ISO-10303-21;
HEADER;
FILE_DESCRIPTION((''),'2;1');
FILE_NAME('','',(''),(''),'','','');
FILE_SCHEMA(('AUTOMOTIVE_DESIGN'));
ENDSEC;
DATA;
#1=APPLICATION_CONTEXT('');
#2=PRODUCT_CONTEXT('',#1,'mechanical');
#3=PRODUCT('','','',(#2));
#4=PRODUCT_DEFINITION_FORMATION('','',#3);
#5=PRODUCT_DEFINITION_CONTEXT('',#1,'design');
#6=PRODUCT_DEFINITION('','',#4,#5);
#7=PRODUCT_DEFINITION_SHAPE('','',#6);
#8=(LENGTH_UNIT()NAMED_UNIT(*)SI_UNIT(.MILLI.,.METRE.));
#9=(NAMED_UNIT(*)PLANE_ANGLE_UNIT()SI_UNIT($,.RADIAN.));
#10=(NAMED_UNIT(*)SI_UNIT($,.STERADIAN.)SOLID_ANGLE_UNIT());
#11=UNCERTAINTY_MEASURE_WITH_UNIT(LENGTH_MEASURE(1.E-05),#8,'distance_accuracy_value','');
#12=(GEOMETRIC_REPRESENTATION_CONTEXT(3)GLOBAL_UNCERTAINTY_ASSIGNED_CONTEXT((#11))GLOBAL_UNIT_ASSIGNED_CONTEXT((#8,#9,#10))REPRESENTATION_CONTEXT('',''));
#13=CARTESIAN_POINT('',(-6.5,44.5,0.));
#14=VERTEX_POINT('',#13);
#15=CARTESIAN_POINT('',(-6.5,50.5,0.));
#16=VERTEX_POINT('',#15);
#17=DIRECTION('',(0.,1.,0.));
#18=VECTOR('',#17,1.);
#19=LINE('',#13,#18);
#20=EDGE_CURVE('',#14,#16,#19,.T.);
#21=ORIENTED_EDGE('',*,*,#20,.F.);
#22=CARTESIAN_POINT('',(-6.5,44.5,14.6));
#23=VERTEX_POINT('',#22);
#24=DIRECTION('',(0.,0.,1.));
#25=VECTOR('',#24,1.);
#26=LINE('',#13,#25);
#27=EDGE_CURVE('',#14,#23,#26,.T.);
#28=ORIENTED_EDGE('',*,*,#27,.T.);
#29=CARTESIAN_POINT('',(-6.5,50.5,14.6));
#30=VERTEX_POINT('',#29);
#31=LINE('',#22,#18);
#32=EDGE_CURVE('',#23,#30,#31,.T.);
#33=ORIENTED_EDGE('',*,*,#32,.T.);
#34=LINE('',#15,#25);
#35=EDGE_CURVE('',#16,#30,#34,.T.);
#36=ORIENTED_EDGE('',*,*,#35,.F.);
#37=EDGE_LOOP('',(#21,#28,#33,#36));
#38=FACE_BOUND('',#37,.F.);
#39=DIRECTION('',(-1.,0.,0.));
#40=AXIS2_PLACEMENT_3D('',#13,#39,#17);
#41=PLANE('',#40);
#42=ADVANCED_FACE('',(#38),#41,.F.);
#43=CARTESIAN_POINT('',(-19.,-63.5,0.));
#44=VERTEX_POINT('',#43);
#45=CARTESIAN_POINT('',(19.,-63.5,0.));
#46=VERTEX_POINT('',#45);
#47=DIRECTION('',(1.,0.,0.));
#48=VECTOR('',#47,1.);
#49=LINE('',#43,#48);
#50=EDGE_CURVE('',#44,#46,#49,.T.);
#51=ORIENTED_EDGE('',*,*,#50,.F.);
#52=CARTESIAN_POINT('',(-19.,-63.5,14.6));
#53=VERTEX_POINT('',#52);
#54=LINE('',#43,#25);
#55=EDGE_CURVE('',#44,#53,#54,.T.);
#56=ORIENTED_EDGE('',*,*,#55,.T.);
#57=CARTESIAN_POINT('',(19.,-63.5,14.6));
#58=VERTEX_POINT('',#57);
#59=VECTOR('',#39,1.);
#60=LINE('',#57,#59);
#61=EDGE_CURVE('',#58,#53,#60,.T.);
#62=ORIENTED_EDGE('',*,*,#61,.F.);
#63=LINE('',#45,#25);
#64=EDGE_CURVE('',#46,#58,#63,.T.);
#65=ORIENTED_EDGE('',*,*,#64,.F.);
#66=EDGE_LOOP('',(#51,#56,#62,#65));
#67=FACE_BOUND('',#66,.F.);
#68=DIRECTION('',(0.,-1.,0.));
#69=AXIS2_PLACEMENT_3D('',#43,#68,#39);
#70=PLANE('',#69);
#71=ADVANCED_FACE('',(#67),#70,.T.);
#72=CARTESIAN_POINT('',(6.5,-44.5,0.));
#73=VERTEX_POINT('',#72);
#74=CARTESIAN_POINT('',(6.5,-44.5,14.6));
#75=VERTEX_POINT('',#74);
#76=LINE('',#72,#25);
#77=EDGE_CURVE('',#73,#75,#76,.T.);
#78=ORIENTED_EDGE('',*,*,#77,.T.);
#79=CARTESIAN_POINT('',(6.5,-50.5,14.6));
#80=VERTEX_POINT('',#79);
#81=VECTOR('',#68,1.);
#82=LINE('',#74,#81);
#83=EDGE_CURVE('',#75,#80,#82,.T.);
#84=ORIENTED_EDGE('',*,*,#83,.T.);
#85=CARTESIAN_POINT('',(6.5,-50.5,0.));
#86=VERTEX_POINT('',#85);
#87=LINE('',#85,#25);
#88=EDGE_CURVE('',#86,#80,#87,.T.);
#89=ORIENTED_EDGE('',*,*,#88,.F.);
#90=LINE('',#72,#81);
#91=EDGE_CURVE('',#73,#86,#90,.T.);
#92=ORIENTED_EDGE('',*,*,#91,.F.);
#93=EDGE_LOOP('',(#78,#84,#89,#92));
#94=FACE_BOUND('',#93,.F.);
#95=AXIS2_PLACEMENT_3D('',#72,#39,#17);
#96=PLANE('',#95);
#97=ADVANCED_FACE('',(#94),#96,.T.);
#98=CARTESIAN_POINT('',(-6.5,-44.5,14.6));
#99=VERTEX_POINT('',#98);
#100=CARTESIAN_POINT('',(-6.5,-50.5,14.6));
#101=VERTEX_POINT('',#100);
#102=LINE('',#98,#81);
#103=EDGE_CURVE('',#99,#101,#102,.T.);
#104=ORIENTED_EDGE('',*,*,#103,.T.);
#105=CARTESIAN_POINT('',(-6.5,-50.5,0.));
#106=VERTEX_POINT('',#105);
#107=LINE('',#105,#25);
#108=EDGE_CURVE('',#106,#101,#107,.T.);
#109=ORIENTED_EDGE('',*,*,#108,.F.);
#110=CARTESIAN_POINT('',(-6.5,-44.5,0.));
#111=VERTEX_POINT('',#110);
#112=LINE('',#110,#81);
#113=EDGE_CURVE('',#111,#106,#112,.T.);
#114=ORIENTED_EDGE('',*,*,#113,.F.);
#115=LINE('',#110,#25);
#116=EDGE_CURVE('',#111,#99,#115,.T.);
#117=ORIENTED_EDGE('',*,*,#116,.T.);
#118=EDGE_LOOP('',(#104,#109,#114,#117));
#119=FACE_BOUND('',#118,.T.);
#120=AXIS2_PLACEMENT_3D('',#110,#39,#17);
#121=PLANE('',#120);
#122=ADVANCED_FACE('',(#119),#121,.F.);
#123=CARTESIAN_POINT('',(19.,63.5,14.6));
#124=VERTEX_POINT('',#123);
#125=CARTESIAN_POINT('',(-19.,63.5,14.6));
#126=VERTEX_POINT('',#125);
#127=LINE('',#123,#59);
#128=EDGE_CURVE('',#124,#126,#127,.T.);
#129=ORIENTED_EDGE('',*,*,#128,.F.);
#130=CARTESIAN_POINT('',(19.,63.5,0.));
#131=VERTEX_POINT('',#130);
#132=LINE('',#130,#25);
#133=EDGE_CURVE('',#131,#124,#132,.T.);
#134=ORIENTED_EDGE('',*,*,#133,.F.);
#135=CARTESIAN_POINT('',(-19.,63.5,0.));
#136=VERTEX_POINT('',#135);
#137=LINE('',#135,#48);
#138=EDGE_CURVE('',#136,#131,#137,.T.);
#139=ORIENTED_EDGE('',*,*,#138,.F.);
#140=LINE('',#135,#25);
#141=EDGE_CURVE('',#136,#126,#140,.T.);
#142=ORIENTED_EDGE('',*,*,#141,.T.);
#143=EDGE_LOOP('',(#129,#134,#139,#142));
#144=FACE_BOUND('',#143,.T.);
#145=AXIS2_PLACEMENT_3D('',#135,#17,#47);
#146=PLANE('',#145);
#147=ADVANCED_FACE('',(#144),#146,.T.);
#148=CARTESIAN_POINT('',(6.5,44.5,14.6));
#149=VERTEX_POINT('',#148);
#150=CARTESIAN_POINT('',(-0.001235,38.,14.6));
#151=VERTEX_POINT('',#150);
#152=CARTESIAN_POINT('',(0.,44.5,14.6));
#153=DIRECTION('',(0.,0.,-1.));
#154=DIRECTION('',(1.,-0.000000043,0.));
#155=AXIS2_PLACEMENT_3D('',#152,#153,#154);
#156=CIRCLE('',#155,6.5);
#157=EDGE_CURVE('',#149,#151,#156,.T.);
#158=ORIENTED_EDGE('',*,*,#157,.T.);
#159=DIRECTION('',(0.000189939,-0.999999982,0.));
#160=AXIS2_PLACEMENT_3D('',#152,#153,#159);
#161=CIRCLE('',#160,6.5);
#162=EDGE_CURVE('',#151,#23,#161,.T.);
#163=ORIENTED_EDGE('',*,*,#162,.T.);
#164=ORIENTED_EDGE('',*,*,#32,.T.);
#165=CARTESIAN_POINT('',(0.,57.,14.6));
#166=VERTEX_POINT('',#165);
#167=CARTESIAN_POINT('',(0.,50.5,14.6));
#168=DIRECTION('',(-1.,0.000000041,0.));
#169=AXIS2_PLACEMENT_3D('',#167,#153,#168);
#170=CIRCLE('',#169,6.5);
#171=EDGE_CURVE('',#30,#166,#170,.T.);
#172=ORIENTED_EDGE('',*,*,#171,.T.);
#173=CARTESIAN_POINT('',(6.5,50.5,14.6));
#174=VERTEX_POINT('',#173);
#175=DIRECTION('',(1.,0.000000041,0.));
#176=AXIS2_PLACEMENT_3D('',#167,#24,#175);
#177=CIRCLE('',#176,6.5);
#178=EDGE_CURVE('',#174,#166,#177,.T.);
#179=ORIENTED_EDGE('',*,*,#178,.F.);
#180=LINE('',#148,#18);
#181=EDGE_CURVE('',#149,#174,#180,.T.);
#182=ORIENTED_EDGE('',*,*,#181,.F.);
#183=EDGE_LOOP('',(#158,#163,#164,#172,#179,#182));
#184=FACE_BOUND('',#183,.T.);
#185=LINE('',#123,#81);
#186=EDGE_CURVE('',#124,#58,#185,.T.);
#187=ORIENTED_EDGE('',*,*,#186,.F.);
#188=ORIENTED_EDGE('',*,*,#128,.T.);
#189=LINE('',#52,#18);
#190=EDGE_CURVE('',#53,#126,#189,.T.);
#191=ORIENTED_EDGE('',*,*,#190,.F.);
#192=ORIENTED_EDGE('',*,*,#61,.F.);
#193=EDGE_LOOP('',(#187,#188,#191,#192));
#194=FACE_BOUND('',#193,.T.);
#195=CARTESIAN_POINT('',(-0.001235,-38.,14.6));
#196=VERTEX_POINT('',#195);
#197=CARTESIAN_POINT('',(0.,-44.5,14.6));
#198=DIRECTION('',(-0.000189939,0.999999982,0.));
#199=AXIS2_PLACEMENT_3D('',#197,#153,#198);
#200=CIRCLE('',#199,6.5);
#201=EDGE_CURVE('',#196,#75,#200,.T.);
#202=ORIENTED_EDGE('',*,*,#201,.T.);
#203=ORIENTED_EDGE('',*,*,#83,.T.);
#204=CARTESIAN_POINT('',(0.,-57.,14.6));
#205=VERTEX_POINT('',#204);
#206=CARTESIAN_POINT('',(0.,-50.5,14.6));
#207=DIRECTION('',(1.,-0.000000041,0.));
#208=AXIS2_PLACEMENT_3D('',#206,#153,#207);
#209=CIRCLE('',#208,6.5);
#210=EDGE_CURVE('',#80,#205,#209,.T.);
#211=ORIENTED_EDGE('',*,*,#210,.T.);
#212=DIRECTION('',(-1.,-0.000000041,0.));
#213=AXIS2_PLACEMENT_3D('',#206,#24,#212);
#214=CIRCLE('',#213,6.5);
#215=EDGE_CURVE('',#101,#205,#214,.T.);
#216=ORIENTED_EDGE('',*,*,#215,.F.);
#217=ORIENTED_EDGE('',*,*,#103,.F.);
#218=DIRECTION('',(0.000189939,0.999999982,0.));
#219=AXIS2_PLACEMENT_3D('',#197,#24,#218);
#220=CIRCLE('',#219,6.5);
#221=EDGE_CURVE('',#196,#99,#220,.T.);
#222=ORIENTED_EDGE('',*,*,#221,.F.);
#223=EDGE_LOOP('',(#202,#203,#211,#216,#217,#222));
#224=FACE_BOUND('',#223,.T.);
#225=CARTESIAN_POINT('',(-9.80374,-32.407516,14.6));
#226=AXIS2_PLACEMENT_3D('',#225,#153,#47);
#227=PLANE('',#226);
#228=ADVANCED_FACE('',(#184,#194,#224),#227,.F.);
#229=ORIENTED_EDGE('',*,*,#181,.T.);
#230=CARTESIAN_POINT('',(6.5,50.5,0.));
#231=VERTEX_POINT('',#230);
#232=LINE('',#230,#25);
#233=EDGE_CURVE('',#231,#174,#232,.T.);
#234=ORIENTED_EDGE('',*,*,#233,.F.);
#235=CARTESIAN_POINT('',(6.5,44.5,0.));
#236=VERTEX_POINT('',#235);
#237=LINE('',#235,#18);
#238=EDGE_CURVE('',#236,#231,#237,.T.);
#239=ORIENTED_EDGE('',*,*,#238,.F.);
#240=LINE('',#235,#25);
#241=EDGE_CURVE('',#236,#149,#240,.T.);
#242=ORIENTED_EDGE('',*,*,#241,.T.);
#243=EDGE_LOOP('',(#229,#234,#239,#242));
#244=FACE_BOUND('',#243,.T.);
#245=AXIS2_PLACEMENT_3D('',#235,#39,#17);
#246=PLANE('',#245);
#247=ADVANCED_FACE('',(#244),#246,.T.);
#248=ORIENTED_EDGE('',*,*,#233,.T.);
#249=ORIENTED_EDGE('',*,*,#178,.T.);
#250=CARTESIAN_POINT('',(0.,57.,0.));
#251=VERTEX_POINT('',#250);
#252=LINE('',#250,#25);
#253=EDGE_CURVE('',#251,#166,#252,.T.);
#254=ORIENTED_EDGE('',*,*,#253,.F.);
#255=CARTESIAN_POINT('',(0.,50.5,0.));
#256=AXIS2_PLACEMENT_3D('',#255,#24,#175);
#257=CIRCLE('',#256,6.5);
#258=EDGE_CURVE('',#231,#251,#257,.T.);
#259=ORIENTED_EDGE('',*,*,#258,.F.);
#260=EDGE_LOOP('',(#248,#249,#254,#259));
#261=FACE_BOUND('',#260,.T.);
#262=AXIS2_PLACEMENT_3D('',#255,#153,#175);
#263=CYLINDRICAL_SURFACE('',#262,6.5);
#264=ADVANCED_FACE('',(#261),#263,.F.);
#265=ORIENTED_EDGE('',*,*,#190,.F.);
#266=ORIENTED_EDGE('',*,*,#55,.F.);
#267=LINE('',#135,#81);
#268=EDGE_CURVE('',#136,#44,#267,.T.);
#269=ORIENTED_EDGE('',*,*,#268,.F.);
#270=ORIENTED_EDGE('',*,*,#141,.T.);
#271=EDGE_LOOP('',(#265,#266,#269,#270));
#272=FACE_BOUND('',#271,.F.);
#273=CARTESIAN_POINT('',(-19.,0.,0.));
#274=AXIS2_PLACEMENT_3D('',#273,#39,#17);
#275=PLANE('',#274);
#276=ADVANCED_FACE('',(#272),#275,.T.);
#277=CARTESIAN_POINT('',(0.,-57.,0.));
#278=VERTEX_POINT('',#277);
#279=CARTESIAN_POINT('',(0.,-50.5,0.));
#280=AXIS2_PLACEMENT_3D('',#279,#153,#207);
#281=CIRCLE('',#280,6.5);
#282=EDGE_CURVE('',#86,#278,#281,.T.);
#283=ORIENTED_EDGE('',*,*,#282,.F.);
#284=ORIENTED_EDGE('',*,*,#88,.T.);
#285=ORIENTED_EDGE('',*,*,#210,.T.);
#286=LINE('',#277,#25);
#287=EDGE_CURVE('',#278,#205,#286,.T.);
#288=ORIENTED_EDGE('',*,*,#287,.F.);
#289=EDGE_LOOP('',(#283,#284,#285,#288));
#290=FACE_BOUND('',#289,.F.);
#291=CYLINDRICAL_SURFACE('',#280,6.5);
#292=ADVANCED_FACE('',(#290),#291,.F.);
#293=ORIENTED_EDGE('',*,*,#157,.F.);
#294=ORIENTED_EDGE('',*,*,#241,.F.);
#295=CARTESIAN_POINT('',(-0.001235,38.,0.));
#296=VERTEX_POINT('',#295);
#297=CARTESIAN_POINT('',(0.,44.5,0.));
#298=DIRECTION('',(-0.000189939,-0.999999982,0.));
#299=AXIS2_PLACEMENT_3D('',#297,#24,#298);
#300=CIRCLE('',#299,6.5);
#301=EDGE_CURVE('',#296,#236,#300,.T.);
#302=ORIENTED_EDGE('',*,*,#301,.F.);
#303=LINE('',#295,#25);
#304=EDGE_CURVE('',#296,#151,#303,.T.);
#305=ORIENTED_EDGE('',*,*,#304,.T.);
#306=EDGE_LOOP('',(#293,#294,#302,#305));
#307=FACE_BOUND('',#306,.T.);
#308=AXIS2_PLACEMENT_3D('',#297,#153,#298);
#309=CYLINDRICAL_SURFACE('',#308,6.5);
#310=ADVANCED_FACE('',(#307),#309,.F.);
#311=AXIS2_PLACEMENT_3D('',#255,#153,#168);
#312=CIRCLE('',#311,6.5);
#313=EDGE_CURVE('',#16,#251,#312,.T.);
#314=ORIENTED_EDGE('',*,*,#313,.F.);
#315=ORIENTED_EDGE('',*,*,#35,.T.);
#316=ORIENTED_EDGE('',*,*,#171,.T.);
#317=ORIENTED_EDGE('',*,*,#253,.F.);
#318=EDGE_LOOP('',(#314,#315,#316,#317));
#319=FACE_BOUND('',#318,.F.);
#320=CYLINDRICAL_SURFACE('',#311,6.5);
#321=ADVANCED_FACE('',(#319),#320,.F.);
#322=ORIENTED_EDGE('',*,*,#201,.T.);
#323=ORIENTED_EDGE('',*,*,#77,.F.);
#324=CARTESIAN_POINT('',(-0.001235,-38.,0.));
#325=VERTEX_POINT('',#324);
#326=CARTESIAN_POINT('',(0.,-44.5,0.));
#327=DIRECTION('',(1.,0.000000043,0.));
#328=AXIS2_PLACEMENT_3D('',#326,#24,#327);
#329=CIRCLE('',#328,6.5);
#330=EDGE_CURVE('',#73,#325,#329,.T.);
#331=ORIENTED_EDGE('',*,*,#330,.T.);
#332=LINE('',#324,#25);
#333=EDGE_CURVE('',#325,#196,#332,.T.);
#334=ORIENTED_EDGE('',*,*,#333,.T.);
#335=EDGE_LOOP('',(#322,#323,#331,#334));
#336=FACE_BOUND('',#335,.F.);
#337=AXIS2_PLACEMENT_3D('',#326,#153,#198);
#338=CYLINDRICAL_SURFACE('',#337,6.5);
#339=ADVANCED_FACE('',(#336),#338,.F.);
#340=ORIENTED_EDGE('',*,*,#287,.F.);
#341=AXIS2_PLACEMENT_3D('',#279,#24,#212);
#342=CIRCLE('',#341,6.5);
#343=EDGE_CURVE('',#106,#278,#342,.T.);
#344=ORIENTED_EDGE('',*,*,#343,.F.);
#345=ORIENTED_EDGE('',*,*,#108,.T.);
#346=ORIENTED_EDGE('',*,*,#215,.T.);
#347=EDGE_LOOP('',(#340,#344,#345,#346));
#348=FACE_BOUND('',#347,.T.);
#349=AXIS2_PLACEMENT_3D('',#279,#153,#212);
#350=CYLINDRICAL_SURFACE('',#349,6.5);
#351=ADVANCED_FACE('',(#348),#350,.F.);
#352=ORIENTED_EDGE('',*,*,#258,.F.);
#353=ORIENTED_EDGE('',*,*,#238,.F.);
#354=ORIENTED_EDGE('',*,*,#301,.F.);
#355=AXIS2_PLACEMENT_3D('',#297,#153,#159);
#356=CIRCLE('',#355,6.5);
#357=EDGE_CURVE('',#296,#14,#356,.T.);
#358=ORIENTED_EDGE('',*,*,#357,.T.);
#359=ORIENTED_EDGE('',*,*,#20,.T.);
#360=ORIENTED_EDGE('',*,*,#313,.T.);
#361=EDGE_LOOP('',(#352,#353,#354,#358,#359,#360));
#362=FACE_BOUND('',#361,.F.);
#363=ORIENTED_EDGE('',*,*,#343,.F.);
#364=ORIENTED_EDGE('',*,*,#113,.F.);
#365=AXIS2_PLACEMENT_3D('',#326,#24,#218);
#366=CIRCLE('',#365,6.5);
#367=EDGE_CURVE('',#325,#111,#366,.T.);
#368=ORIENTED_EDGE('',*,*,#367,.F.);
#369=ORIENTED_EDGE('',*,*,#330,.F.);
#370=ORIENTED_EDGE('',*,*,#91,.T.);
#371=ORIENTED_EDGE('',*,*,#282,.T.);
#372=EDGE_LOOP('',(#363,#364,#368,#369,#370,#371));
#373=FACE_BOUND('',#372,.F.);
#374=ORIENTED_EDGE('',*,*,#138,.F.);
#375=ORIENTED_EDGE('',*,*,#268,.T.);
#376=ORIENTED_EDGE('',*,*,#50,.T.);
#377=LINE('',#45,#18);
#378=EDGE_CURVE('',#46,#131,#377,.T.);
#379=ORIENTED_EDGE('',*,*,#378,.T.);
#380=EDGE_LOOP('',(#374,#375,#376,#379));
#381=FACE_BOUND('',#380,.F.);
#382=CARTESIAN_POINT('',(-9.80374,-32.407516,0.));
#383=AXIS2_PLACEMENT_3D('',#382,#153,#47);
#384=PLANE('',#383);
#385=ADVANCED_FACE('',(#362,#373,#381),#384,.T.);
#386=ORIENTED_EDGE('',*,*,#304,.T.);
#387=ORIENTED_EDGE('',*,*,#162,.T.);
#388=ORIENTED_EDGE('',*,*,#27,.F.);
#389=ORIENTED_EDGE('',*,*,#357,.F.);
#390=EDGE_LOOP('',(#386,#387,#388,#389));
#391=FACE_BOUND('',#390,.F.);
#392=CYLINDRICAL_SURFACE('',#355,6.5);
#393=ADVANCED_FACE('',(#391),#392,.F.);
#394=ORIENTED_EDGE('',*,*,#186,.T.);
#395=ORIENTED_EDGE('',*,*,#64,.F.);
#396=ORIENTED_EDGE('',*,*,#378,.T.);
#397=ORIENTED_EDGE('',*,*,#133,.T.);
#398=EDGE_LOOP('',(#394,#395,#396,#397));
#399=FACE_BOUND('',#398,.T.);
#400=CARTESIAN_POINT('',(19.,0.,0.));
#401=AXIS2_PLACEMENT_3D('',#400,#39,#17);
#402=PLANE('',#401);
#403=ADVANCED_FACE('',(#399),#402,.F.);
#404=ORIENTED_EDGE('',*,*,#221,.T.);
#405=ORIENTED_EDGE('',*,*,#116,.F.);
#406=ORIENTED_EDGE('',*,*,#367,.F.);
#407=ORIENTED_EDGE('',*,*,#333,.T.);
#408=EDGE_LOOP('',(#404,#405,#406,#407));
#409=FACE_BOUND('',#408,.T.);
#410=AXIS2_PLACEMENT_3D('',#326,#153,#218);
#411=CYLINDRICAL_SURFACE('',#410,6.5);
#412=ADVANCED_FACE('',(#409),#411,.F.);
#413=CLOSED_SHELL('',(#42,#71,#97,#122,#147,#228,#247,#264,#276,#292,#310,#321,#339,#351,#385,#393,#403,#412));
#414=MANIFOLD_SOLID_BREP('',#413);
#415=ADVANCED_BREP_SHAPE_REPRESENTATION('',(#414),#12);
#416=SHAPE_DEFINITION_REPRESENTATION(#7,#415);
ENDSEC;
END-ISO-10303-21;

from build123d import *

# Parameters (mm, degrees)
PAD007_DEPTH               = 14.6
PAD007_MIRRORED004_2_DEPTH = 14.6


with BuildPart() as part:
    # Sketch007 → Pad007 (new body)
    with BuildSketch(Plane.XY):
        with BuildLine():
            Line((0, 0), (19, 0))
            Line((19, 0), (19, 63.5))
            Line((19, 63.5), (0, 63.5))
            Line((0, 63.5), (0, 57))
            ThreePointArc((6.5, 50.5), (4.596194, 55.096194), (0, 57))
            Line((6.5, 44.5), (6.5, 50.5))
            ThreePointArc((-0.001235, 38), (4.595757, 39.903369), (6.5, 44.5))
            Line((-0.001235, 38), (0, 0))
        make_face()
    pad007 = extrude(amount=PAD007_DEPTH)

    # Sketch007 Mirrored004 2 → Pad007 Mirrored004 2 (add)
    with BuildSketch(Plane(origin=(0, 0, 0), x_dir=(-1, 0, 0), z_dir=(0, 0, -1))):
        with BuildLine():
            Line((0, 0), (19, 0))
            Line((19, 0), (19, 63.5))
            Line((19, 63.5), (0, 63.5))
            Line((0, 63.5), (0, 57))
            ThreePointArc((6.5, 50.5), (4.596194, 55.096194), (0, 57))
            Line((6.5, 44.5), (6.5, 50.5))
            ThreePointArc((-0.001235, 38), (4.595757, 39.903369), (6.5, 44.5))
            Line((-0.001235, 38), (0, 0))
        make_face()
    pad007_mirrored004_2 = extrude(amount=-PAD007_MIRRORED004_2_DEPTH)

    # Mirrored005: Pad007, Pad007 Mirrored004 2 across Sketch007 H_Axis
    add(pad007.mirror(Plane.ZX))
    add(pad007_mirrored004_2.mirror(Plane.ZX))


solid = part.part
